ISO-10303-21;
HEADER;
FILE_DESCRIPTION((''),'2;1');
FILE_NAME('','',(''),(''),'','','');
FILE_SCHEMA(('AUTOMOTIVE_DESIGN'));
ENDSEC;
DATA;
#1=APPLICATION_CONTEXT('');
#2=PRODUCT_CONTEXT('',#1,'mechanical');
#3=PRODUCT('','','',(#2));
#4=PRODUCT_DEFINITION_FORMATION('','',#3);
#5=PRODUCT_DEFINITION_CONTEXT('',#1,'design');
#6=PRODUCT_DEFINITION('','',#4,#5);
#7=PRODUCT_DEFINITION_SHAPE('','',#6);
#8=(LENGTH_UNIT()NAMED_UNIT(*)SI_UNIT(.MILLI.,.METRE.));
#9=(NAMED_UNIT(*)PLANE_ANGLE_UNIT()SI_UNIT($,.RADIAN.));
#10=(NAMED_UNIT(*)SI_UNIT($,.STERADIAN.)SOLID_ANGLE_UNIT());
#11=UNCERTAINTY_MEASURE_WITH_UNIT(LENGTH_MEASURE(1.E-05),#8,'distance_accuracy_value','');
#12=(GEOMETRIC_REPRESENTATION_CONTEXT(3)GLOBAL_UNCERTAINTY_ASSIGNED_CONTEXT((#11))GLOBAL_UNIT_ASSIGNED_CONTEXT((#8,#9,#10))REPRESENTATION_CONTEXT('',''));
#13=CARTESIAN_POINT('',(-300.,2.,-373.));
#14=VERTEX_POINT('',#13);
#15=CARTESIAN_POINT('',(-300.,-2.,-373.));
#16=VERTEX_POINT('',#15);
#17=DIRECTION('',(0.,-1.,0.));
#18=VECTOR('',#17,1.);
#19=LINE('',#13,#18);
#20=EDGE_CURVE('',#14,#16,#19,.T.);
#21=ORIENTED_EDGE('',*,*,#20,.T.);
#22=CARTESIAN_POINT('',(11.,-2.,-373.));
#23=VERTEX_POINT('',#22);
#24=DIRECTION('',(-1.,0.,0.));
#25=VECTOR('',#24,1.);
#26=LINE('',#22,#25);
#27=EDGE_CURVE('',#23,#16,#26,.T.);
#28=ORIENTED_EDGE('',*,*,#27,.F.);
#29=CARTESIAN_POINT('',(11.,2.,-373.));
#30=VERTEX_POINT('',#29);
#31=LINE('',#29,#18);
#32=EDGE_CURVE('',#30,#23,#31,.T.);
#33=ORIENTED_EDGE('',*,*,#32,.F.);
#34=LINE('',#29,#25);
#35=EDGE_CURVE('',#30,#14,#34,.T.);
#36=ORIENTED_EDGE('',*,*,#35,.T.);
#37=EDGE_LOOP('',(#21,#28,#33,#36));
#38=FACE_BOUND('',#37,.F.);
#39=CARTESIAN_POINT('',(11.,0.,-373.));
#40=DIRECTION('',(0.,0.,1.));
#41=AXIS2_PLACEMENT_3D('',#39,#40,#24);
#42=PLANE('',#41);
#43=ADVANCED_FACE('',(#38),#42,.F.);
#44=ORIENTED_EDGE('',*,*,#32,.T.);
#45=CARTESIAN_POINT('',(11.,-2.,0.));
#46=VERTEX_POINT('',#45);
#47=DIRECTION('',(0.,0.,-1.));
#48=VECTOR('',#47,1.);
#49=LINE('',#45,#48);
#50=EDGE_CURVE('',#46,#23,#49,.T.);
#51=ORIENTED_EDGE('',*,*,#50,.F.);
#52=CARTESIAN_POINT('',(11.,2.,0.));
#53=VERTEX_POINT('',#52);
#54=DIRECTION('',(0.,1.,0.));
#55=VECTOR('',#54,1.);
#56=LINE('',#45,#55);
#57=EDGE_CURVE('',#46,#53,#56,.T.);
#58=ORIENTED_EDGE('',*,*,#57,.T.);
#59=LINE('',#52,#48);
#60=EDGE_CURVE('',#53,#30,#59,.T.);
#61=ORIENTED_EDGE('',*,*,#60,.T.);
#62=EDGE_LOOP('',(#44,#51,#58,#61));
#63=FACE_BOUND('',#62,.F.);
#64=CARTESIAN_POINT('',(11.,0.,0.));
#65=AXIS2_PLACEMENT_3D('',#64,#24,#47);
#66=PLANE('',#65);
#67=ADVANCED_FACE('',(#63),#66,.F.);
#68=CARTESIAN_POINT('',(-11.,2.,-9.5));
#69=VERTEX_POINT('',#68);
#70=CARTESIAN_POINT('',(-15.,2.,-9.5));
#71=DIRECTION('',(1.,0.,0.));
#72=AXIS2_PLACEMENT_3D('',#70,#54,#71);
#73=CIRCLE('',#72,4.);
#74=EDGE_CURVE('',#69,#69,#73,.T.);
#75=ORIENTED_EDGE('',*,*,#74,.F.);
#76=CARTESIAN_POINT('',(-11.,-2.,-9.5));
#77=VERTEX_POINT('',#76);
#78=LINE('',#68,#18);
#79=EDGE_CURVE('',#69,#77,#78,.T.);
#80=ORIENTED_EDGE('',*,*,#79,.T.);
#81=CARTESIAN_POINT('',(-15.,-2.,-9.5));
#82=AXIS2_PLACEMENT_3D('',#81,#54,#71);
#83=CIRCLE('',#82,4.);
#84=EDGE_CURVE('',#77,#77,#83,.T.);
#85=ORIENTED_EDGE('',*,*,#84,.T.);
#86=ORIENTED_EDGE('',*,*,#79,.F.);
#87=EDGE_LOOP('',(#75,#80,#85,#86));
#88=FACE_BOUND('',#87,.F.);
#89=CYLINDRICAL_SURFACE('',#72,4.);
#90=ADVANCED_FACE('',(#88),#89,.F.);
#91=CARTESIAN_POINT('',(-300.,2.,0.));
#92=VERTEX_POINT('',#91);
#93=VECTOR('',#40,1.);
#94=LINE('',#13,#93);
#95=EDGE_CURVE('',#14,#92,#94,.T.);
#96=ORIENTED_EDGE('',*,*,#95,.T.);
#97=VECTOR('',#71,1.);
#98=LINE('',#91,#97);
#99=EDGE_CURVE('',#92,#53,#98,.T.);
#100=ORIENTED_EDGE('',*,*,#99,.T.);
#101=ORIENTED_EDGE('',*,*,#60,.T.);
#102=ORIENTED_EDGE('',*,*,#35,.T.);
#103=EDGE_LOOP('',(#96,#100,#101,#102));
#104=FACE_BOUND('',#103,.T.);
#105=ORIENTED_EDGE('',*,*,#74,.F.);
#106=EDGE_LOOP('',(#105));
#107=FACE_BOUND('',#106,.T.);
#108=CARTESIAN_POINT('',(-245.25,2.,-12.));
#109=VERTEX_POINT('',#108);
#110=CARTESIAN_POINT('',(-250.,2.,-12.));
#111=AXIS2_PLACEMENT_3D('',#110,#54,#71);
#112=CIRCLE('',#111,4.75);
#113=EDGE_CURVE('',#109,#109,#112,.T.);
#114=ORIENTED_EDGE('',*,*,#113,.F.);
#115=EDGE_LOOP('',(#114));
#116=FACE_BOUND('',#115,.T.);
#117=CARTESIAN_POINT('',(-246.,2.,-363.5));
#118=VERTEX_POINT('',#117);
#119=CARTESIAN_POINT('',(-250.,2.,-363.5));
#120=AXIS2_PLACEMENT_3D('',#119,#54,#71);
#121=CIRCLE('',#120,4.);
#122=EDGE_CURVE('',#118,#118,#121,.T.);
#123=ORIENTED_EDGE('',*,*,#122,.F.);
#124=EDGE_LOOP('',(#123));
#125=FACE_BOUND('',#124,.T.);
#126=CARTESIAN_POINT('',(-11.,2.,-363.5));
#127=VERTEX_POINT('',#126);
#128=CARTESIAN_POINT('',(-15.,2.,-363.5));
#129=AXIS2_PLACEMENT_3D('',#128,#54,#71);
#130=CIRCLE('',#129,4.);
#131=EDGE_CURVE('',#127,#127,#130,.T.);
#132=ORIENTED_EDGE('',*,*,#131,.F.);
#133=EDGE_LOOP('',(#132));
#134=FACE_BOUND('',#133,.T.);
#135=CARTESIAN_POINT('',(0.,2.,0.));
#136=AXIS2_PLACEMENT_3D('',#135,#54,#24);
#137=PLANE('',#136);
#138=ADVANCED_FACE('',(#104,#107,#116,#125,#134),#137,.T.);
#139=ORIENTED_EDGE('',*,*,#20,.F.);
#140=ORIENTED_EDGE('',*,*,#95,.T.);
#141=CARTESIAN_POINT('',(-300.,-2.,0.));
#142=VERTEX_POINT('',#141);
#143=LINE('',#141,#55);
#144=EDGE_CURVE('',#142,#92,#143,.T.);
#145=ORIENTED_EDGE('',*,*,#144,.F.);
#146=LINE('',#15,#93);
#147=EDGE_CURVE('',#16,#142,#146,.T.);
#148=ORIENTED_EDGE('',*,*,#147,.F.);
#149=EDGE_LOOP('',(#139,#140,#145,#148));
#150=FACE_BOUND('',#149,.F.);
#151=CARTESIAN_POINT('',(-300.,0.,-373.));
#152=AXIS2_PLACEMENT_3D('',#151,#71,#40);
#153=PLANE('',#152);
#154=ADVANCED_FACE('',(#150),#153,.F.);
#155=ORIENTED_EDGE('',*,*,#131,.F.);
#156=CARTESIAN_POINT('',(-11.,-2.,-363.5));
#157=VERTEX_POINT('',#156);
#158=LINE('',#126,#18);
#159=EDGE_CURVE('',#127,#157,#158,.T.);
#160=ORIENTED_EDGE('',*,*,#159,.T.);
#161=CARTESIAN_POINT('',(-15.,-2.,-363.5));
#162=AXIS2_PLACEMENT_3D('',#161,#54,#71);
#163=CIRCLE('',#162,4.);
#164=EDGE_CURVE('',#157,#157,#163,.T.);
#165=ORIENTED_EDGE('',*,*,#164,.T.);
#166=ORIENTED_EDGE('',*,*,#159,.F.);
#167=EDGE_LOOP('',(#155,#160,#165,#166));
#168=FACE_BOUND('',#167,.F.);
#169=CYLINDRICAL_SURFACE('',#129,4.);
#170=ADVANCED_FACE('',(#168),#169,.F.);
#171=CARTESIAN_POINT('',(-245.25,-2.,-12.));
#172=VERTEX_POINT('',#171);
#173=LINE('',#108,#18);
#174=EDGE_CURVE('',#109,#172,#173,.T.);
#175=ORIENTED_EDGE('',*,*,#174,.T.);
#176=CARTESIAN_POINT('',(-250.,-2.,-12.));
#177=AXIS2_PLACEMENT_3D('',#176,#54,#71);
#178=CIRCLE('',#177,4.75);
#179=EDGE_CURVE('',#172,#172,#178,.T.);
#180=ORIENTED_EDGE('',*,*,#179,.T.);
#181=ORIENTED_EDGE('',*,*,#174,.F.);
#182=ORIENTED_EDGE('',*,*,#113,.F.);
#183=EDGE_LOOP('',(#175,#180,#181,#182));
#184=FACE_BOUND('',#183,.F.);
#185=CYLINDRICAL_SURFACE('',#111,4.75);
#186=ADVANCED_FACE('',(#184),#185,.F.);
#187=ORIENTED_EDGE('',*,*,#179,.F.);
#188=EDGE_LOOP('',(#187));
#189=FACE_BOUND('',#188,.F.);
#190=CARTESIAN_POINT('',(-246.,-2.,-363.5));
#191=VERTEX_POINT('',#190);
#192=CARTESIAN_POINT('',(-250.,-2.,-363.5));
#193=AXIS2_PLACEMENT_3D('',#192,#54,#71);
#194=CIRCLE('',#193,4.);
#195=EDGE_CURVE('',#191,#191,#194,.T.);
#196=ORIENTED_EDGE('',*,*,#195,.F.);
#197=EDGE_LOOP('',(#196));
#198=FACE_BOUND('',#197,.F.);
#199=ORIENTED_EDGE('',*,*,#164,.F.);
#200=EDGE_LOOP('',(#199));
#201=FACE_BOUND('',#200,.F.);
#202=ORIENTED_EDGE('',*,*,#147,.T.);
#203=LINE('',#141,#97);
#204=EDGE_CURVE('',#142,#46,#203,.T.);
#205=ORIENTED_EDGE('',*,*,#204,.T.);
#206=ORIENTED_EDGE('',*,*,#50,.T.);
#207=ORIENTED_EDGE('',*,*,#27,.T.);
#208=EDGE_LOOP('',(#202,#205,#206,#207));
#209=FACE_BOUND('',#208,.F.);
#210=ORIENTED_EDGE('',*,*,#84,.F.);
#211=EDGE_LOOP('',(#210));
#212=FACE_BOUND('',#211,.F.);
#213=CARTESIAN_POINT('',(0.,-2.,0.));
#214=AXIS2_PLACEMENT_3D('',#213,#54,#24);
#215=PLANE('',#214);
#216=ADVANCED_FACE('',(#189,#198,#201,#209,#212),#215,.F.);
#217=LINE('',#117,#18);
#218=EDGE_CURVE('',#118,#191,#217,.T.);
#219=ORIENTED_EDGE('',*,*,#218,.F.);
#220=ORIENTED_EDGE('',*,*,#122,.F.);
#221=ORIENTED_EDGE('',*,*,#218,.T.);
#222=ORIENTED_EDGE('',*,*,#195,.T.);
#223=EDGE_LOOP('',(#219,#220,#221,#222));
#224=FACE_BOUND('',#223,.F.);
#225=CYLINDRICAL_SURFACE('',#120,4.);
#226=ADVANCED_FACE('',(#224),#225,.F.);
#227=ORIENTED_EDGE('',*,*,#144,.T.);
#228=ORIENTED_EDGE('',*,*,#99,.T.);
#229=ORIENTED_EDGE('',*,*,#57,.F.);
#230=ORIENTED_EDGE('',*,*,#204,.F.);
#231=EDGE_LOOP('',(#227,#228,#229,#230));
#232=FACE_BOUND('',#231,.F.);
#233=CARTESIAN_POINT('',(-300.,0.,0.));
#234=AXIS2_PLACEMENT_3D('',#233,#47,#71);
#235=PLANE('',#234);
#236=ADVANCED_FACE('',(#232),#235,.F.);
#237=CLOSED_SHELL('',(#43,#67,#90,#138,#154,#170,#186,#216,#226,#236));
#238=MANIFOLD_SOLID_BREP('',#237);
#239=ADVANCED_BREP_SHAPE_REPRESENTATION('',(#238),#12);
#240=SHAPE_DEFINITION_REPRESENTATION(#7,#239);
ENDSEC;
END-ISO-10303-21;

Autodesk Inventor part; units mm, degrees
ref_plane "YZ Plane" through (0, 0, 0) normal (1, 0, 0) x (0, 1, 0)
ref_plane "XZ Plane" through (0, 0, 0) normal (0, 1, 0) x (-1, 0, 0)
ref_plane "XY Plane" through (0, 0, 0) normal (0, 0, 1) x (1, 0, 0)
sketch "Sketch1" plane through (0, 0, 0) normal (0, 1, 0) x (-1, 0, 0)
  line L0 (300, 0) -> (-11, 0)
  line L1 (-11, 0) -> (-11, -373)
  line L2 (-11, -373) -> (300, -373)
  line L3 (300, -373) -> (300, 0)
  point P0 (0, 0)
  dimension "d0" = 373
  dimension "d1" = 311
  dimension "d2" = 300
  dimension "d3" = 0
extrude "Extrusion1" add sketch "Sketch1" along normal mid plane 4
sketch "Sketch2" plane through (0, 2, 0) normal (0, 1, 0) x (1, 0, 0)
  circle A0 centre (-15, 9.5) radius 4
  circle A1 centre (-15, 363.5) radius 4
  circle A2 centre (-250, 12) radius 4.75
  circle A3 centre (-250, 363.5) radius 4
  line L0 (11, 373) -> (-300, 373) projected
  line L1 (-300, 373) -> (-300, 0) projected
  line L2 (-300, 0) -> (11, 0) projected
  line L3 (11, 0) -> (11, 373) projected
  point P0 (0, 0)
  dimension "d6" = 8
  dimension "d7" = 8
  dimension "d8" = 9.5
  dimension "d9" = 8
  dimension "d10" = 9.5
  dimension "d13" = 12
  dimension "d14" = 9.5
  dimension "d17" = 9.5
  dimension "d22" = 50
  dimension "d23" = 235
  dimension "d24" = 50
  dimension "d25" = 235
extrude "Extrusion2" cut sketch "Sketch2" against normal blind 4 contours A0 | A1 | A2 | A3
properties part number "Perspex base" material "Glass"
